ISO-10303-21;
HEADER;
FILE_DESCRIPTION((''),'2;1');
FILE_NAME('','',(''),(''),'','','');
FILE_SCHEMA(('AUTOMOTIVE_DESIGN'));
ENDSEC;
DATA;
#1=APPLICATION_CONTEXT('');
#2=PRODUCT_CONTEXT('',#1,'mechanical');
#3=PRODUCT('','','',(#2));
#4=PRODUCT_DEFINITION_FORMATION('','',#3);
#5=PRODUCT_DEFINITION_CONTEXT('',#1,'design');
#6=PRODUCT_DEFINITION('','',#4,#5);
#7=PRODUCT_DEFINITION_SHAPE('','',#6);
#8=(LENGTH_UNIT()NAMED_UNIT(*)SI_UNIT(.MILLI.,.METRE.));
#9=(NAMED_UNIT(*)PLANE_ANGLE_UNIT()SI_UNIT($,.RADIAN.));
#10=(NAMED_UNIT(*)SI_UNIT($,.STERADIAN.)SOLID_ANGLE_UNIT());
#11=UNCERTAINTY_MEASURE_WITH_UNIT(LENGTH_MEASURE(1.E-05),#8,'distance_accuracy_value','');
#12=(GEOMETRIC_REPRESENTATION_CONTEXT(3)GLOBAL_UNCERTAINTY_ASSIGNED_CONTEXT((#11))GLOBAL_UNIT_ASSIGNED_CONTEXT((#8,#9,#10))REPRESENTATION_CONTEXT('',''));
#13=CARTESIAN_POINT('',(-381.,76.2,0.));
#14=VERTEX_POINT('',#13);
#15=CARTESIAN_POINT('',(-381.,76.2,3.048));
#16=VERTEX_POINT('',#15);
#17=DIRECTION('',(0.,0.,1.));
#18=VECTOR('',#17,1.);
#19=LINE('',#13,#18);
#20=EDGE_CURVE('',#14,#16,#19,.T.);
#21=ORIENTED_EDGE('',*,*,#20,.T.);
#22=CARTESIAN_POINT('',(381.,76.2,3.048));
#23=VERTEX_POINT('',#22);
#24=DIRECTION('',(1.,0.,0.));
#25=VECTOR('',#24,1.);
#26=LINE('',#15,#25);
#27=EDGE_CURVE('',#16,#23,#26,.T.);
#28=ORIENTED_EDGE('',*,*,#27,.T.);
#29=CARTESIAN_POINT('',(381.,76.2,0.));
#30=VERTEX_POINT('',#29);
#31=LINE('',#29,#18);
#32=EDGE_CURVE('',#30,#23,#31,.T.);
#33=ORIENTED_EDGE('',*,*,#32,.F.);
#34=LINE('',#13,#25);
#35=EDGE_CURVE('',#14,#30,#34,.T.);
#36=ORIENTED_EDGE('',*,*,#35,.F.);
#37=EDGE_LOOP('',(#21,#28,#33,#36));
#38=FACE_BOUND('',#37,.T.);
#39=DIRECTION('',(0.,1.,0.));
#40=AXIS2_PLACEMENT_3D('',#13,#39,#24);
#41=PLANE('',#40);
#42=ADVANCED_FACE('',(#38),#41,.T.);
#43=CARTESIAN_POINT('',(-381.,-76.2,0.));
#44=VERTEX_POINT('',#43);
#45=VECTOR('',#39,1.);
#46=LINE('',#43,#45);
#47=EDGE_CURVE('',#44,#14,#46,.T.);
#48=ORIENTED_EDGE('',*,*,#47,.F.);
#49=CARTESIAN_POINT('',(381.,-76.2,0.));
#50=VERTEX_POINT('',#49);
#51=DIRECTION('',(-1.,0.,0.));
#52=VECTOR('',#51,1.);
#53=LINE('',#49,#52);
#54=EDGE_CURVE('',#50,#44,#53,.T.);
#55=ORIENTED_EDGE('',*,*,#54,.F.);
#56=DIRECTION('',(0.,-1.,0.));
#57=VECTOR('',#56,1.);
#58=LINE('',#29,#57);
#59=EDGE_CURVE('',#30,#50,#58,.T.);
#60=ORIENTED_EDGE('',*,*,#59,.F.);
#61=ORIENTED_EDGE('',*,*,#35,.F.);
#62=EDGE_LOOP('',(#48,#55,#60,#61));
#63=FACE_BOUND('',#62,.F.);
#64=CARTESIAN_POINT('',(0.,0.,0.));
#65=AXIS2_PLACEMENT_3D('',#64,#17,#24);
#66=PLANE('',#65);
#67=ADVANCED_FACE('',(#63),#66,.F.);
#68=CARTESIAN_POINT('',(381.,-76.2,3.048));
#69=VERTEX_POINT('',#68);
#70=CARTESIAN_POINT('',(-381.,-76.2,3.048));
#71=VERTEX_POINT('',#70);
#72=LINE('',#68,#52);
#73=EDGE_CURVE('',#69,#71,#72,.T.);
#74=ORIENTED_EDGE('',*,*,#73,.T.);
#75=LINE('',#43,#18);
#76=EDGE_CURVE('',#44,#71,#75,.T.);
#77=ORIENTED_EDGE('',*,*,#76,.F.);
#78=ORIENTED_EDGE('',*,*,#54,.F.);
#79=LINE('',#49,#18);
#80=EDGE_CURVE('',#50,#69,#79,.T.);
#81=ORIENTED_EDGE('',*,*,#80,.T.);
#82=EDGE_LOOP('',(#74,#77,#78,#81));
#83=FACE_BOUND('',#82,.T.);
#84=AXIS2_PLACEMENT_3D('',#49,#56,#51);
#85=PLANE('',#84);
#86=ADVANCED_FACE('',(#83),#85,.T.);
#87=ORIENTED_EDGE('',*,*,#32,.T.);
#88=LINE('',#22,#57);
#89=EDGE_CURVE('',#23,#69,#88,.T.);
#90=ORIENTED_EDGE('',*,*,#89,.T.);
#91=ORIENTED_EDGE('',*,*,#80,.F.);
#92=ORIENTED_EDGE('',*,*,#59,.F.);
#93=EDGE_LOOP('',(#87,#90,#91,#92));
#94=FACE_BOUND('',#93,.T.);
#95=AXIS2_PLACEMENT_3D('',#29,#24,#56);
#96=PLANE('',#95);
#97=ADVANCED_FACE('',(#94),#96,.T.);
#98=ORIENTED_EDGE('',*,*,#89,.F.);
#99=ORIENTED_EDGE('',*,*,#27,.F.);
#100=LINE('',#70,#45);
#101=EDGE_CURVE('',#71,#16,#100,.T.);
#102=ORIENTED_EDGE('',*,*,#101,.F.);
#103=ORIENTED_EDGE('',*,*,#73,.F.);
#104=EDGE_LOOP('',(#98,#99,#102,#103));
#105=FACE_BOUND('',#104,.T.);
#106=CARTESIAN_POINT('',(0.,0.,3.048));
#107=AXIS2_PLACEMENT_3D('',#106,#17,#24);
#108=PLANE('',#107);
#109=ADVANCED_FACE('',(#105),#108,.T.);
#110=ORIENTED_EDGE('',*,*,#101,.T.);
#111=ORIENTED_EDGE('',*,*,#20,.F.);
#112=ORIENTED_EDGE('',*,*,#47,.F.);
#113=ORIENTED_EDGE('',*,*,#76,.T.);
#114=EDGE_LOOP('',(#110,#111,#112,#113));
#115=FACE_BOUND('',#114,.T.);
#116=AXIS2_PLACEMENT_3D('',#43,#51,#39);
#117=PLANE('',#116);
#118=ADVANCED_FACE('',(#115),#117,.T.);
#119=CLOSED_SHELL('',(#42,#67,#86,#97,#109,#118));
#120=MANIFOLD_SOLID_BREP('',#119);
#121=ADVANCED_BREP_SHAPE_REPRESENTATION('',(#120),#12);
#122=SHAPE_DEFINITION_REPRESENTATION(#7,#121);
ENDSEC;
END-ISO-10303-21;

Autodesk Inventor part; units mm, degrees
ref_plane "YZ Plane" through (0, 0, 0) normal (1, 0, 0) x (0, 1, 0)
ref_plane "XZ Plane" through (0, 0, 0) normal (0, 1, 0) x (-1, 0, 0)
ref_plane "XY Plane" through (0, 0, 0) normal (0, 0, 1) x (1, 0, 0)
sketch "Sketch1" plane through (0, 0, 0) normal (0, 0, 1) x (1, 0, 0)
  line L0 (-381, 76.2) -> (381, 76.2)
  line L1 (381, 76.2) -> (381, -76.2)
  line L2 (381, -76.2) -> (-381, -76.2)
  line L3 (-381, -76.2) -> (-381, 76.2)
  line L4 (-381, 76.2) -> (381, -76.2) construction
  line L5 (381, 76.2) -> (-381, -76.2) construction
  point P0 (0, 0)
  dimension "d0" = 762
  dimension "d1" = 152.4
extrude "Plate1" add sketch "Sketch1" along normal blind 3.048
equation "\"d2\" = Thickness"
equation "\"BendRadius\" = Thickness"
equation "\"BendReliefWidth\" = Thickness"
equation "\"BendReliefDepth\" = 0.5 * Thickness"
equation "\"CornerReliefSize\" = 4 * Thickness"
equation "\"MinimumRemnant\" = 2 * Thickness"
equation "\"TransitionRadius\" = BendRadius"
equation "\"JacobiRadiusSize\" = BendRadius"
equation "\"GapSize\" = Thickness"
equation "\"Thickness\" = 3.048"
properties part number "2.5ftX6in"
